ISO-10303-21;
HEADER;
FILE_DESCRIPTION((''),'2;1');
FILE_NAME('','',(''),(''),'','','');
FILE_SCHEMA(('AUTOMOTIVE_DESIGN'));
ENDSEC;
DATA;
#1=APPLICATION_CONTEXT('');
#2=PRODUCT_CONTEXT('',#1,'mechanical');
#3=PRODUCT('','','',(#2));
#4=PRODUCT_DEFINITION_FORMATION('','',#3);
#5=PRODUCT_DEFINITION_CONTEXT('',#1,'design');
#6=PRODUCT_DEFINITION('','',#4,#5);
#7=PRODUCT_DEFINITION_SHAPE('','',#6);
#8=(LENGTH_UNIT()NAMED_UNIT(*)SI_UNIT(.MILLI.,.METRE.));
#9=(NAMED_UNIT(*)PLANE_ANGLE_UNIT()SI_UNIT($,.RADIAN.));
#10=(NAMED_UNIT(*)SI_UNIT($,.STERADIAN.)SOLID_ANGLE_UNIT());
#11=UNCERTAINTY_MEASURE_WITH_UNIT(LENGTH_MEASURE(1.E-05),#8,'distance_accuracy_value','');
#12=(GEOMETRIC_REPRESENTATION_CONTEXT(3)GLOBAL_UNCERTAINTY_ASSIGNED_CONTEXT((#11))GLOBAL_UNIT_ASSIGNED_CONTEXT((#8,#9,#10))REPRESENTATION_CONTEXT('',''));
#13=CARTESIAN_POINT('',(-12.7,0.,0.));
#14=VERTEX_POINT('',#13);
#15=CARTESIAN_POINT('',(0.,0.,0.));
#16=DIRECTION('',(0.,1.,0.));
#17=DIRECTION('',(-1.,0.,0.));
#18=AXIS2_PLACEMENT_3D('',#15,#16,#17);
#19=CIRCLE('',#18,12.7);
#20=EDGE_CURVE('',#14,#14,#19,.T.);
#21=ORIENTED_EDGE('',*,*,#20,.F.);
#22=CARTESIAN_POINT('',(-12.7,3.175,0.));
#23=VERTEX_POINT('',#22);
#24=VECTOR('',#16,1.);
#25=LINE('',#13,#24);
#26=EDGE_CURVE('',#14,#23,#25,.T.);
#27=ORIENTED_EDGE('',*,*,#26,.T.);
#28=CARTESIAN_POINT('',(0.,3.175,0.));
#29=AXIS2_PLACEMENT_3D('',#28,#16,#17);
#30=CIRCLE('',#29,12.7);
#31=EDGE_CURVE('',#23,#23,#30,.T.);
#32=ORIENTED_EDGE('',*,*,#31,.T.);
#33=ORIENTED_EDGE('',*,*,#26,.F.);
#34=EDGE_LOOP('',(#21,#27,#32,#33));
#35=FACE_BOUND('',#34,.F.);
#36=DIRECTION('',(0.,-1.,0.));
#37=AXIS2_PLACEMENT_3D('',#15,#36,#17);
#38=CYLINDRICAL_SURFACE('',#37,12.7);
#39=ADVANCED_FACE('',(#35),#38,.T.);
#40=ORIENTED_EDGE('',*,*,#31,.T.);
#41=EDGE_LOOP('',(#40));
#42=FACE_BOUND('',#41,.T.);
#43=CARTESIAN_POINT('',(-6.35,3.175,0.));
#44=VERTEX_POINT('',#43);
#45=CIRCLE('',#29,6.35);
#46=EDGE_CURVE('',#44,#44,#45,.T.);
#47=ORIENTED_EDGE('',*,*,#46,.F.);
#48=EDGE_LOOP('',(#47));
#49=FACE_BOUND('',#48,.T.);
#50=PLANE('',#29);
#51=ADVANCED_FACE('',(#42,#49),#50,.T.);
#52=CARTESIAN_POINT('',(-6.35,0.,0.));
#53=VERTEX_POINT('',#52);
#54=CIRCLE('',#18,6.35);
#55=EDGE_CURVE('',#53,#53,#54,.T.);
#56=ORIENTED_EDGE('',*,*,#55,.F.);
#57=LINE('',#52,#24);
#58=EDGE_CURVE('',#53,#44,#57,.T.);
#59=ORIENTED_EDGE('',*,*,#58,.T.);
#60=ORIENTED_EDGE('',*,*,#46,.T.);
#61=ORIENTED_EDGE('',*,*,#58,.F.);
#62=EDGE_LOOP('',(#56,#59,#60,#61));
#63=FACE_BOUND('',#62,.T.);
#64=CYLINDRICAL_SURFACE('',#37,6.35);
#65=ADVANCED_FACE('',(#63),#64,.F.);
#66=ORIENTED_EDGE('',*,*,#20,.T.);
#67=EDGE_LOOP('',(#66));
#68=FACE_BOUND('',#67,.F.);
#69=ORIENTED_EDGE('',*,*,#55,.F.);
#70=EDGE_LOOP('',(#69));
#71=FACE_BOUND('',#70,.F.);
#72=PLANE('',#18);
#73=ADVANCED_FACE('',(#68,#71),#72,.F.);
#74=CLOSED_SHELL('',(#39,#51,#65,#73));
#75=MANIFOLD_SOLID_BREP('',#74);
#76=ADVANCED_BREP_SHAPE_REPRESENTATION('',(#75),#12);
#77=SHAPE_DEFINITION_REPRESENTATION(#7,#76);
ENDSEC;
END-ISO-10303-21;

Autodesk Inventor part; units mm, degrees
ref_plane "YZ Plane" through (0, 0, 0) normal (1, 0, 0) x (0, 1, 0)
ref_plane "XZ Plane" through (0, 0, 0) normal (0, 1, 0) x (-1, 0, 0)
ref_plane "XY Plane" through (0, 0, 0) normal (0, 0, 1) x (1, 0, 0)
sketch "Sketch1" plane through (0, 0, 0) normal (0, 1, 0) x (-1, 0, 0)
  circle A0 centre (0, 0) radius 6.35
  circle A1 centre (0, 0) radius 12.7
  dimension "d0" = 12.7
  dimension "d1" = 25.4
extrude "Extrusion1" add sketch "Sketch1" along normal blind 3.175
properties part number "washer"
